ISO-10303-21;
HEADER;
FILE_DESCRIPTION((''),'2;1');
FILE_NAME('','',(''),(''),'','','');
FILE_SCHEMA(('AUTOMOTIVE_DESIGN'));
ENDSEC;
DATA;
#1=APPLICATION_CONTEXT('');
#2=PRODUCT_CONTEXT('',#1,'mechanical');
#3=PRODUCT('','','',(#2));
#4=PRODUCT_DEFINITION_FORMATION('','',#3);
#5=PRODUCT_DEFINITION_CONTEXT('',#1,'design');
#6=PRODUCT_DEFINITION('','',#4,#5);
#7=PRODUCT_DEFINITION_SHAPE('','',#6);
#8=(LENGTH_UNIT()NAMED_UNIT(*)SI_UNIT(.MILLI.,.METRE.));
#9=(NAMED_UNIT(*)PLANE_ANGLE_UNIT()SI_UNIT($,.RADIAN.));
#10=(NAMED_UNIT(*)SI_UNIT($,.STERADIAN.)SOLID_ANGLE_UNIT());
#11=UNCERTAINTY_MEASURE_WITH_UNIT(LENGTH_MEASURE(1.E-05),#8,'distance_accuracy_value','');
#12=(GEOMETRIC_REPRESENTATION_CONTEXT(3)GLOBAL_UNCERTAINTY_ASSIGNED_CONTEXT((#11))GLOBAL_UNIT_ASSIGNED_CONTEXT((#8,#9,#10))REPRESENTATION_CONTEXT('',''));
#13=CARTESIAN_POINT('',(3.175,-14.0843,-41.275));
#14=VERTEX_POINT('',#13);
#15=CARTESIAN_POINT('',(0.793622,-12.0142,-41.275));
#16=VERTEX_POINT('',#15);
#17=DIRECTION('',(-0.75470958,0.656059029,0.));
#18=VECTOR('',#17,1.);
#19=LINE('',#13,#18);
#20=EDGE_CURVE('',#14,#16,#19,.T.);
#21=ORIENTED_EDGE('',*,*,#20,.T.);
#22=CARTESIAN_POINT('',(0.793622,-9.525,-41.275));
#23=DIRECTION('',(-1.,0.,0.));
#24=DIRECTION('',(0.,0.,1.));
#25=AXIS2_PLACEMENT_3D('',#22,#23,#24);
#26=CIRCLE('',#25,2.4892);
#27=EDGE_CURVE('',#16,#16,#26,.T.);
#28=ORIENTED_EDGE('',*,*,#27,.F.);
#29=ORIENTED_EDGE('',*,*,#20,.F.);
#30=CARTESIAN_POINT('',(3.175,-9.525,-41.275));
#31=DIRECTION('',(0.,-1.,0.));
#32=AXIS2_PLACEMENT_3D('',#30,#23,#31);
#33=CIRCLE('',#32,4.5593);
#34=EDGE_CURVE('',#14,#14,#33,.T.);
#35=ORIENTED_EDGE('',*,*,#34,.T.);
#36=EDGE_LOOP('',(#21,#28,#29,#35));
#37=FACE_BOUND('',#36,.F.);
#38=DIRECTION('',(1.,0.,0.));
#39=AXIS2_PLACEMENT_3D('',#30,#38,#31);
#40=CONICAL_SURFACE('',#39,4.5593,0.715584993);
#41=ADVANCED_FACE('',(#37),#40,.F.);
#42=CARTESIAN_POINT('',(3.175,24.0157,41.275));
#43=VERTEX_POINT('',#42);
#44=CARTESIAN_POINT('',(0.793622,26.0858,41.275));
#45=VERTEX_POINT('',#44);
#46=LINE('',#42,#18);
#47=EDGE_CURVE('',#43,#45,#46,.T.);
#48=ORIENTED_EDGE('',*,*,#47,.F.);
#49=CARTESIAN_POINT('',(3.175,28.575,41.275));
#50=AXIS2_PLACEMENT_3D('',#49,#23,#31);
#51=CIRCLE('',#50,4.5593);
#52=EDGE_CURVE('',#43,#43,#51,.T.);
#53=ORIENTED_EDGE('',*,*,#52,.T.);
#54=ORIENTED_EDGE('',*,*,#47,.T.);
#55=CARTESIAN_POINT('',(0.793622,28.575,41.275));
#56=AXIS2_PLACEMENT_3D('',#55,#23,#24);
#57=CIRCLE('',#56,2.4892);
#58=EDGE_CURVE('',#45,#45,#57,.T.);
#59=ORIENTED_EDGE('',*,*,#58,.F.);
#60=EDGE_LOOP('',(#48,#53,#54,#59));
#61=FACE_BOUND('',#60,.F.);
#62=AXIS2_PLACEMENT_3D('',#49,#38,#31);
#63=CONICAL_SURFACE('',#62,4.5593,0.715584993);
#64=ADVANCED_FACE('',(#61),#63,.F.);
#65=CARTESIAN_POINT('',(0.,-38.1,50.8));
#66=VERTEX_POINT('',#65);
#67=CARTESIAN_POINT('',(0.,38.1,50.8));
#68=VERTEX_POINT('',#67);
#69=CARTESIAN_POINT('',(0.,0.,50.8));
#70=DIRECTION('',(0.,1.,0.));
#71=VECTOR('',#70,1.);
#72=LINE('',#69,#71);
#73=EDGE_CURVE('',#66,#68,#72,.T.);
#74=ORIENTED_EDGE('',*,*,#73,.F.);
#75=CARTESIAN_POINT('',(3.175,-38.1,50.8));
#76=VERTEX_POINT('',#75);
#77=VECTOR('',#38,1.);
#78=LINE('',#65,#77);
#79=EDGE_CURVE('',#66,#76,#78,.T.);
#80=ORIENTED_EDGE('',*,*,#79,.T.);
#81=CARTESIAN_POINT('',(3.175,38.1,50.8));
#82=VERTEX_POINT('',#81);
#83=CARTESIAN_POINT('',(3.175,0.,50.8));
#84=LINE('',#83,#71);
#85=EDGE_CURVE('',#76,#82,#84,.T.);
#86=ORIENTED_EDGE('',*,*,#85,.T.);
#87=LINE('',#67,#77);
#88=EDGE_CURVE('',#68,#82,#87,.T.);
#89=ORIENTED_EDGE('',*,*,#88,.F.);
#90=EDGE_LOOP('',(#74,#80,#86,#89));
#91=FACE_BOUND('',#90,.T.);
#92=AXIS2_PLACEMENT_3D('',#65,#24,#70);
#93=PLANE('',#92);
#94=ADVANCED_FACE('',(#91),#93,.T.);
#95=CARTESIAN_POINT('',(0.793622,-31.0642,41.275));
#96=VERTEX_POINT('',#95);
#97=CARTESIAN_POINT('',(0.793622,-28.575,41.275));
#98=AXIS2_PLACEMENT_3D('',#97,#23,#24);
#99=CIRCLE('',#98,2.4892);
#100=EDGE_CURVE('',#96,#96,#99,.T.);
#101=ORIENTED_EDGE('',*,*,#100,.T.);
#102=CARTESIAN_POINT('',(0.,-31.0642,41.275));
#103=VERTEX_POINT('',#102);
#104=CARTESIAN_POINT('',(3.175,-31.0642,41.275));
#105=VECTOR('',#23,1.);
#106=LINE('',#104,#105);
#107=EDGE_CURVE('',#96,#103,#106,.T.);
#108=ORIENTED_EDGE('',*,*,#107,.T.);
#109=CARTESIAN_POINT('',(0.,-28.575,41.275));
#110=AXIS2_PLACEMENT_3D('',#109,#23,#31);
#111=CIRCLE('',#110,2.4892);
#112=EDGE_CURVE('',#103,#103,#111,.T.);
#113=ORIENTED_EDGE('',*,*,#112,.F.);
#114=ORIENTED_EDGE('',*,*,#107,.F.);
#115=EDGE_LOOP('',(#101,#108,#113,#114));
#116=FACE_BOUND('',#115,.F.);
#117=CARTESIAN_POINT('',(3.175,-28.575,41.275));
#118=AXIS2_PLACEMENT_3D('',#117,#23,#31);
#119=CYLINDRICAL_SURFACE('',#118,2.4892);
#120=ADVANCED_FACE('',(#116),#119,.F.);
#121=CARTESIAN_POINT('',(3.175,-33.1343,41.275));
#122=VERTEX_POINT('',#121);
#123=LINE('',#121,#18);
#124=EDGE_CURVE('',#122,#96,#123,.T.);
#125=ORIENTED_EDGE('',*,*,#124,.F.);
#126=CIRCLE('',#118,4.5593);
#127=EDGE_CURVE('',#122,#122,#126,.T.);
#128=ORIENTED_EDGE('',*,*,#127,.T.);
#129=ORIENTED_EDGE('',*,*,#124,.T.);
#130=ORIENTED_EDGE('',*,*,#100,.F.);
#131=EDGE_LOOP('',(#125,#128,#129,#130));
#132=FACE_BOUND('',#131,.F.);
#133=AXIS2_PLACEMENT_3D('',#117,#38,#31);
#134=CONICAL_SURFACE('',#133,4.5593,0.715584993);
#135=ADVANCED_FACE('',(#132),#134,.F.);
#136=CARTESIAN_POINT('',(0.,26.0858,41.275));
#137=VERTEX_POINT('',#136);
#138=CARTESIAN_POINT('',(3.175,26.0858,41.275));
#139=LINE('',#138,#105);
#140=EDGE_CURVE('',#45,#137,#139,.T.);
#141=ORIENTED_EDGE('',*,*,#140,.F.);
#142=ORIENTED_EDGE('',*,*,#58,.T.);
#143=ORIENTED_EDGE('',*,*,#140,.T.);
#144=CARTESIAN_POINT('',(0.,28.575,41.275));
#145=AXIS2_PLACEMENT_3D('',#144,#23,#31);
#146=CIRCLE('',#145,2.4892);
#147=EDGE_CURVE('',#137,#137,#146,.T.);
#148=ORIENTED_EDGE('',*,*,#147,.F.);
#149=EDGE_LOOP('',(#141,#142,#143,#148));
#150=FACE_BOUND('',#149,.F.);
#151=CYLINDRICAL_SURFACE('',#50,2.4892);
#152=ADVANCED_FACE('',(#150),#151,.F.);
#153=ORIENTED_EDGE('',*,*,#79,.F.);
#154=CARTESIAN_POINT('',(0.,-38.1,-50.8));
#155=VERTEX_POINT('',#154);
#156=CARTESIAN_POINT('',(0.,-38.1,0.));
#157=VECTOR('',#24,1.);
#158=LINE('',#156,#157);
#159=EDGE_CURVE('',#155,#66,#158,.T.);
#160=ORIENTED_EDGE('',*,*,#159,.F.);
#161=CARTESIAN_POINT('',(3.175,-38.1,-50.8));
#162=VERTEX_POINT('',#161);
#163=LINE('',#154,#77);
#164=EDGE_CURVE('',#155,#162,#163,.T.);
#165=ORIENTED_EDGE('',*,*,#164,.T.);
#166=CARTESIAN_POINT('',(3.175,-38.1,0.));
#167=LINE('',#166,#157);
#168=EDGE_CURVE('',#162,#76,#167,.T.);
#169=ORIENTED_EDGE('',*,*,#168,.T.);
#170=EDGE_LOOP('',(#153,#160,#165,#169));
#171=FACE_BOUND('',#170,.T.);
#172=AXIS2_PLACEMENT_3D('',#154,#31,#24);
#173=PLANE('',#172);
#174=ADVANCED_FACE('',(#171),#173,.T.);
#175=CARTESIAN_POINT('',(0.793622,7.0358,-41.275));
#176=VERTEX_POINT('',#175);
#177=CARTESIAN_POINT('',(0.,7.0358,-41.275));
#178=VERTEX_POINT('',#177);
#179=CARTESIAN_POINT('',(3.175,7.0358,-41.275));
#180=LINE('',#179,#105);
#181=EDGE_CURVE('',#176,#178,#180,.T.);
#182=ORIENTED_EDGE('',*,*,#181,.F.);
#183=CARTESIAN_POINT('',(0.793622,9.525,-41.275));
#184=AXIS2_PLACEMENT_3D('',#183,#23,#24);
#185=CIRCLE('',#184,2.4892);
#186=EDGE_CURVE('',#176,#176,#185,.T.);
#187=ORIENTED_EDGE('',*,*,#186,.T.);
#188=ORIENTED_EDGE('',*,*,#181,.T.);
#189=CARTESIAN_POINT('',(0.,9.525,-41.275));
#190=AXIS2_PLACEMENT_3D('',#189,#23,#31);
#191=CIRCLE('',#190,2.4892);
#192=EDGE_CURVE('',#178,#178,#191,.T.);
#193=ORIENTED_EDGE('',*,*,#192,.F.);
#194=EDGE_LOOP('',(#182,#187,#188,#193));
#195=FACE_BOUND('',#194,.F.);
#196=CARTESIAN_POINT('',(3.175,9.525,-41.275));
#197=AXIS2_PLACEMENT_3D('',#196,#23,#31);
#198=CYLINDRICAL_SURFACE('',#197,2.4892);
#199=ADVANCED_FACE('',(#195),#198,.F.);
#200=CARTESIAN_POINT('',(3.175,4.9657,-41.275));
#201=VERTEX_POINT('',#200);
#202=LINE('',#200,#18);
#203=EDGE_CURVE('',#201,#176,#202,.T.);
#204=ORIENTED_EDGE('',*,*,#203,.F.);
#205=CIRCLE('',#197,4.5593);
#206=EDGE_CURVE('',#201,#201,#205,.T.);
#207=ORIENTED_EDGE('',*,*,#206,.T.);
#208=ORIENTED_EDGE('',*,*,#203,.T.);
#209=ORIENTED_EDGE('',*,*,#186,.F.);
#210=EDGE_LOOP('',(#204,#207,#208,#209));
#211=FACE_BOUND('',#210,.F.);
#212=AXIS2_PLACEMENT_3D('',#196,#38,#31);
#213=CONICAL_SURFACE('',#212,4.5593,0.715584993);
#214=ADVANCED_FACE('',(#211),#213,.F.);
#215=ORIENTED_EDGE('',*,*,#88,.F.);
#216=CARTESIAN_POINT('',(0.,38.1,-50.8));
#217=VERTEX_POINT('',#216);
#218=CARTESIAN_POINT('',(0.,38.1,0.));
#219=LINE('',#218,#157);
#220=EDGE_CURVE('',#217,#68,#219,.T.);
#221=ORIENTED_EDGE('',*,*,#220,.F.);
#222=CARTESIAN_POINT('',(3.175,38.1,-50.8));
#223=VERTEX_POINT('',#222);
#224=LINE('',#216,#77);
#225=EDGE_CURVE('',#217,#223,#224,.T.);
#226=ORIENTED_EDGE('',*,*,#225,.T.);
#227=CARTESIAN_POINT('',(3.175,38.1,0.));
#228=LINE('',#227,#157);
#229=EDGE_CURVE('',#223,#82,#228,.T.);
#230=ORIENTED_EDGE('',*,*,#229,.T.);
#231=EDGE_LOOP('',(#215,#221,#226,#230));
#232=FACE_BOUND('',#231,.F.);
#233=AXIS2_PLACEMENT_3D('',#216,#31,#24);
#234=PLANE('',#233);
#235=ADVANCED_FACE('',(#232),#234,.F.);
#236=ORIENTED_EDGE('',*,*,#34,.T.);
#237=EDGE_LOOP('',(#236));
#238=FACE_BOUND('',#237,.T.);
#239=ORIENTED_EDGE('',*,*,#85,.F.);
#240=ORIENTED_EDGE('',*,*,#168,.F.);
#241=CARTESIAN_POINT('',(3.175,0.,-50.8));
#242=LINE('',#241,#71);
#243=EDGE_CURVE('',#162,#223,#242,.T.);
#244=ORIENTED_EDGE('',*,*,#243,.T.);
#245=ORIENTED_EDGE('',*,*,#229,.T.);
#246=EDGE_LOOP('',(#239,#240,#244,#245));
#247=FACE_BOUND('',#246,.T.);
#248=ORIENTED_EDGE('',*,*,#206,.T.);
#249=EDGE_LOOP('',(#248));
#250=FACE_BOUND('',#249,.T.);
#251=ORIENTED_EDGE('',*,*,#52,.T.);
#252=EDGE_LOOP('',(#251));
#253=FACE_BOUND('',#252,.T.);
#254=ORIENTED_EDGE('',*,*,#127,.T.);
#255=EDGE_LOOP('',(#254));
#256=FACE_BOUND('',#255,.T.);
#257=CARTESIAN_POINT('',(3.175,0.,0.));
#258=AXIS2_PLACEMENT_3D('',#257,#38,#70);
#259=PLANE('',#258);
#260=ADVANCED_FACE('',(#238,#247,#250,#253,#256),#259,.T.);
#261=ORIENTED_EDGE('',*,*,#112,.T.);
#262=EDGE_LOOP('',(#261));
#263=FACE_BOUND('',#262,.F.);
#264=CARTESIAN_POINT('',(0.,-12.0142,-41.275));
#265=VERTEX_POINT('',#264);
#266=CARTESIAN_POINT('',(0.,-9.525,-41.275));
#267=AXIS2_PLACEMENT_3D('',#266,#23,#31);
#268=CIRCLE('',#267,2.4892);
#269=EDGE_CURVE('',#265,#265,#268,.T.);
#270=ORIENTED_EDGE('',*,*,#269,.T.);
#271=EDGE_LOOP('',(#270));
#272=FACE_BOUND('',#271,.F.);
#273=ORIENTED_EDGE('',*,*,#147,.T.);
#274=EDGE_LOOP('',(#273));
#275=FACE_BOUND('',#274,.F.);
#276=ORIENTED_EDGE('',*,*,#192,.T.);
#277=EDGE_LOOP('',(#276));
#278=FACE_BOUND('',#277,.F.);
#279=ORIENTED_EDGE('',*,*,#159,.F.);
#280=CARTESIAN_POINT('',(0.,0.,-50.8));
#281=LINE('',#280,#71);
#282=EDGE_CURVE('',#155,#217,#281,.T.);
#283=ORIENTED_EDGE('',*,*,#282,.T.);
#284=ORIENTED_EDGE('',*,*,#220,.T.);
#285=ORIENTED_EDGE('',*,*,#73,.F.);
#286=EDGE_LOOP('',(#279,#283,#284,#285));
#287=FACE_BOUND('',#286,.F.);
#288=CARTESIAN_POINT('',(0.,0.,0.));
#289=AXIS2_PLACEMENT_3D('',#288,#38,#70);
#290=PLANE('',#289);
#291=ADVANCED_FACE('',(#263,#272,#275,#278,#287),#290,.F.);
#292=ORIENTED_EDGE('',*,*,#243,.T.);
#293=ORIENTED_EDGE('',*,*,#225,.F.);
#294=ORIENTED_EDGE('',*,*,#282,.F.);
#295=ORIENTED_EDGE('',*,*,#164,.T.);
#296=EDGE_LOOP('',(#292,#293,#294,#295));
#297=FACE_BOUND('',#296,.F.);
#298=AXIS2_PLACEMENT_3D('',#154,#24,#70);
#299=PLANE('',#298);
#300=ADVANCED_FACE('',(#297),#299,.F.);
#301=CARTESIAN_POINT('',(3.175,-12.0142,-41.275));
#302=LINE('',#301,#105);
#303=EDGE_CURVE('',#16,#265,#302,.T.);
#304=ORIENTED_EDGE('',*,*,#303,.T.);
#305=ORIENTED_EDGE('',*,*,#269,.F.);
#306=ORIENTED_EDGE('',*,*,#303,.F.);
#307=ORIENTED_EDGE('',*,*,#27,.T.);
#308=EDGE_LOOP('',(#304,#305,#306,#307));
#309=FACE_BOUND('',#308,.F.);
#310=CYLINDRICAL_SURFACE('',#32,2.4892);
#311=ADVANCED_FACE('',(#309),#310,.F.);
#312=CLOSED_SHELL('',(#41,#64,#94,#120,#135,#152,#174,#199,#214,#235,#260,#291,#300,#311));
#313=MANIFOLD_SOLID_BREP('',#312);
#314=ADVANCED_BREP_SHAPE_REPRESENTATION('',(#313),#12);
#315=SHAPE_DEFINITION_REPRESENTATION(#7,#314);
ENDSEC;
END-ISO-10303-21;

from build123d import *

# Parameters (mm, degrees)
F0_W           = 76.2
F0_H           = 101.6
F1_DEPTH       = 3.175
F3_D           = 4.9784
F3_CSINK_D     = 9.1186
F3_CSINK_ANGLE = 82


with BuildPart() as f1:
    # F0 (on Right) → F1 (new body)
    with BuildSketch(Plane.YZ):
        Rectangle(F0_W, F0_H)
    extrude(amount=F1_DEPTH)

    # F3 (through all)
    with Locations(Plane.YZ.offset(3.175)):
        with Locations((-28.575, 41.275), (28.575, 41.275), (9.525, -41.275), (-9.525, -41.275)):
            CounterSinkHole(F3_D / 2, F3_CSINK_D / 2, counter_sink_angle=F3_CSINK_ANGLE)


solid = f1.part
